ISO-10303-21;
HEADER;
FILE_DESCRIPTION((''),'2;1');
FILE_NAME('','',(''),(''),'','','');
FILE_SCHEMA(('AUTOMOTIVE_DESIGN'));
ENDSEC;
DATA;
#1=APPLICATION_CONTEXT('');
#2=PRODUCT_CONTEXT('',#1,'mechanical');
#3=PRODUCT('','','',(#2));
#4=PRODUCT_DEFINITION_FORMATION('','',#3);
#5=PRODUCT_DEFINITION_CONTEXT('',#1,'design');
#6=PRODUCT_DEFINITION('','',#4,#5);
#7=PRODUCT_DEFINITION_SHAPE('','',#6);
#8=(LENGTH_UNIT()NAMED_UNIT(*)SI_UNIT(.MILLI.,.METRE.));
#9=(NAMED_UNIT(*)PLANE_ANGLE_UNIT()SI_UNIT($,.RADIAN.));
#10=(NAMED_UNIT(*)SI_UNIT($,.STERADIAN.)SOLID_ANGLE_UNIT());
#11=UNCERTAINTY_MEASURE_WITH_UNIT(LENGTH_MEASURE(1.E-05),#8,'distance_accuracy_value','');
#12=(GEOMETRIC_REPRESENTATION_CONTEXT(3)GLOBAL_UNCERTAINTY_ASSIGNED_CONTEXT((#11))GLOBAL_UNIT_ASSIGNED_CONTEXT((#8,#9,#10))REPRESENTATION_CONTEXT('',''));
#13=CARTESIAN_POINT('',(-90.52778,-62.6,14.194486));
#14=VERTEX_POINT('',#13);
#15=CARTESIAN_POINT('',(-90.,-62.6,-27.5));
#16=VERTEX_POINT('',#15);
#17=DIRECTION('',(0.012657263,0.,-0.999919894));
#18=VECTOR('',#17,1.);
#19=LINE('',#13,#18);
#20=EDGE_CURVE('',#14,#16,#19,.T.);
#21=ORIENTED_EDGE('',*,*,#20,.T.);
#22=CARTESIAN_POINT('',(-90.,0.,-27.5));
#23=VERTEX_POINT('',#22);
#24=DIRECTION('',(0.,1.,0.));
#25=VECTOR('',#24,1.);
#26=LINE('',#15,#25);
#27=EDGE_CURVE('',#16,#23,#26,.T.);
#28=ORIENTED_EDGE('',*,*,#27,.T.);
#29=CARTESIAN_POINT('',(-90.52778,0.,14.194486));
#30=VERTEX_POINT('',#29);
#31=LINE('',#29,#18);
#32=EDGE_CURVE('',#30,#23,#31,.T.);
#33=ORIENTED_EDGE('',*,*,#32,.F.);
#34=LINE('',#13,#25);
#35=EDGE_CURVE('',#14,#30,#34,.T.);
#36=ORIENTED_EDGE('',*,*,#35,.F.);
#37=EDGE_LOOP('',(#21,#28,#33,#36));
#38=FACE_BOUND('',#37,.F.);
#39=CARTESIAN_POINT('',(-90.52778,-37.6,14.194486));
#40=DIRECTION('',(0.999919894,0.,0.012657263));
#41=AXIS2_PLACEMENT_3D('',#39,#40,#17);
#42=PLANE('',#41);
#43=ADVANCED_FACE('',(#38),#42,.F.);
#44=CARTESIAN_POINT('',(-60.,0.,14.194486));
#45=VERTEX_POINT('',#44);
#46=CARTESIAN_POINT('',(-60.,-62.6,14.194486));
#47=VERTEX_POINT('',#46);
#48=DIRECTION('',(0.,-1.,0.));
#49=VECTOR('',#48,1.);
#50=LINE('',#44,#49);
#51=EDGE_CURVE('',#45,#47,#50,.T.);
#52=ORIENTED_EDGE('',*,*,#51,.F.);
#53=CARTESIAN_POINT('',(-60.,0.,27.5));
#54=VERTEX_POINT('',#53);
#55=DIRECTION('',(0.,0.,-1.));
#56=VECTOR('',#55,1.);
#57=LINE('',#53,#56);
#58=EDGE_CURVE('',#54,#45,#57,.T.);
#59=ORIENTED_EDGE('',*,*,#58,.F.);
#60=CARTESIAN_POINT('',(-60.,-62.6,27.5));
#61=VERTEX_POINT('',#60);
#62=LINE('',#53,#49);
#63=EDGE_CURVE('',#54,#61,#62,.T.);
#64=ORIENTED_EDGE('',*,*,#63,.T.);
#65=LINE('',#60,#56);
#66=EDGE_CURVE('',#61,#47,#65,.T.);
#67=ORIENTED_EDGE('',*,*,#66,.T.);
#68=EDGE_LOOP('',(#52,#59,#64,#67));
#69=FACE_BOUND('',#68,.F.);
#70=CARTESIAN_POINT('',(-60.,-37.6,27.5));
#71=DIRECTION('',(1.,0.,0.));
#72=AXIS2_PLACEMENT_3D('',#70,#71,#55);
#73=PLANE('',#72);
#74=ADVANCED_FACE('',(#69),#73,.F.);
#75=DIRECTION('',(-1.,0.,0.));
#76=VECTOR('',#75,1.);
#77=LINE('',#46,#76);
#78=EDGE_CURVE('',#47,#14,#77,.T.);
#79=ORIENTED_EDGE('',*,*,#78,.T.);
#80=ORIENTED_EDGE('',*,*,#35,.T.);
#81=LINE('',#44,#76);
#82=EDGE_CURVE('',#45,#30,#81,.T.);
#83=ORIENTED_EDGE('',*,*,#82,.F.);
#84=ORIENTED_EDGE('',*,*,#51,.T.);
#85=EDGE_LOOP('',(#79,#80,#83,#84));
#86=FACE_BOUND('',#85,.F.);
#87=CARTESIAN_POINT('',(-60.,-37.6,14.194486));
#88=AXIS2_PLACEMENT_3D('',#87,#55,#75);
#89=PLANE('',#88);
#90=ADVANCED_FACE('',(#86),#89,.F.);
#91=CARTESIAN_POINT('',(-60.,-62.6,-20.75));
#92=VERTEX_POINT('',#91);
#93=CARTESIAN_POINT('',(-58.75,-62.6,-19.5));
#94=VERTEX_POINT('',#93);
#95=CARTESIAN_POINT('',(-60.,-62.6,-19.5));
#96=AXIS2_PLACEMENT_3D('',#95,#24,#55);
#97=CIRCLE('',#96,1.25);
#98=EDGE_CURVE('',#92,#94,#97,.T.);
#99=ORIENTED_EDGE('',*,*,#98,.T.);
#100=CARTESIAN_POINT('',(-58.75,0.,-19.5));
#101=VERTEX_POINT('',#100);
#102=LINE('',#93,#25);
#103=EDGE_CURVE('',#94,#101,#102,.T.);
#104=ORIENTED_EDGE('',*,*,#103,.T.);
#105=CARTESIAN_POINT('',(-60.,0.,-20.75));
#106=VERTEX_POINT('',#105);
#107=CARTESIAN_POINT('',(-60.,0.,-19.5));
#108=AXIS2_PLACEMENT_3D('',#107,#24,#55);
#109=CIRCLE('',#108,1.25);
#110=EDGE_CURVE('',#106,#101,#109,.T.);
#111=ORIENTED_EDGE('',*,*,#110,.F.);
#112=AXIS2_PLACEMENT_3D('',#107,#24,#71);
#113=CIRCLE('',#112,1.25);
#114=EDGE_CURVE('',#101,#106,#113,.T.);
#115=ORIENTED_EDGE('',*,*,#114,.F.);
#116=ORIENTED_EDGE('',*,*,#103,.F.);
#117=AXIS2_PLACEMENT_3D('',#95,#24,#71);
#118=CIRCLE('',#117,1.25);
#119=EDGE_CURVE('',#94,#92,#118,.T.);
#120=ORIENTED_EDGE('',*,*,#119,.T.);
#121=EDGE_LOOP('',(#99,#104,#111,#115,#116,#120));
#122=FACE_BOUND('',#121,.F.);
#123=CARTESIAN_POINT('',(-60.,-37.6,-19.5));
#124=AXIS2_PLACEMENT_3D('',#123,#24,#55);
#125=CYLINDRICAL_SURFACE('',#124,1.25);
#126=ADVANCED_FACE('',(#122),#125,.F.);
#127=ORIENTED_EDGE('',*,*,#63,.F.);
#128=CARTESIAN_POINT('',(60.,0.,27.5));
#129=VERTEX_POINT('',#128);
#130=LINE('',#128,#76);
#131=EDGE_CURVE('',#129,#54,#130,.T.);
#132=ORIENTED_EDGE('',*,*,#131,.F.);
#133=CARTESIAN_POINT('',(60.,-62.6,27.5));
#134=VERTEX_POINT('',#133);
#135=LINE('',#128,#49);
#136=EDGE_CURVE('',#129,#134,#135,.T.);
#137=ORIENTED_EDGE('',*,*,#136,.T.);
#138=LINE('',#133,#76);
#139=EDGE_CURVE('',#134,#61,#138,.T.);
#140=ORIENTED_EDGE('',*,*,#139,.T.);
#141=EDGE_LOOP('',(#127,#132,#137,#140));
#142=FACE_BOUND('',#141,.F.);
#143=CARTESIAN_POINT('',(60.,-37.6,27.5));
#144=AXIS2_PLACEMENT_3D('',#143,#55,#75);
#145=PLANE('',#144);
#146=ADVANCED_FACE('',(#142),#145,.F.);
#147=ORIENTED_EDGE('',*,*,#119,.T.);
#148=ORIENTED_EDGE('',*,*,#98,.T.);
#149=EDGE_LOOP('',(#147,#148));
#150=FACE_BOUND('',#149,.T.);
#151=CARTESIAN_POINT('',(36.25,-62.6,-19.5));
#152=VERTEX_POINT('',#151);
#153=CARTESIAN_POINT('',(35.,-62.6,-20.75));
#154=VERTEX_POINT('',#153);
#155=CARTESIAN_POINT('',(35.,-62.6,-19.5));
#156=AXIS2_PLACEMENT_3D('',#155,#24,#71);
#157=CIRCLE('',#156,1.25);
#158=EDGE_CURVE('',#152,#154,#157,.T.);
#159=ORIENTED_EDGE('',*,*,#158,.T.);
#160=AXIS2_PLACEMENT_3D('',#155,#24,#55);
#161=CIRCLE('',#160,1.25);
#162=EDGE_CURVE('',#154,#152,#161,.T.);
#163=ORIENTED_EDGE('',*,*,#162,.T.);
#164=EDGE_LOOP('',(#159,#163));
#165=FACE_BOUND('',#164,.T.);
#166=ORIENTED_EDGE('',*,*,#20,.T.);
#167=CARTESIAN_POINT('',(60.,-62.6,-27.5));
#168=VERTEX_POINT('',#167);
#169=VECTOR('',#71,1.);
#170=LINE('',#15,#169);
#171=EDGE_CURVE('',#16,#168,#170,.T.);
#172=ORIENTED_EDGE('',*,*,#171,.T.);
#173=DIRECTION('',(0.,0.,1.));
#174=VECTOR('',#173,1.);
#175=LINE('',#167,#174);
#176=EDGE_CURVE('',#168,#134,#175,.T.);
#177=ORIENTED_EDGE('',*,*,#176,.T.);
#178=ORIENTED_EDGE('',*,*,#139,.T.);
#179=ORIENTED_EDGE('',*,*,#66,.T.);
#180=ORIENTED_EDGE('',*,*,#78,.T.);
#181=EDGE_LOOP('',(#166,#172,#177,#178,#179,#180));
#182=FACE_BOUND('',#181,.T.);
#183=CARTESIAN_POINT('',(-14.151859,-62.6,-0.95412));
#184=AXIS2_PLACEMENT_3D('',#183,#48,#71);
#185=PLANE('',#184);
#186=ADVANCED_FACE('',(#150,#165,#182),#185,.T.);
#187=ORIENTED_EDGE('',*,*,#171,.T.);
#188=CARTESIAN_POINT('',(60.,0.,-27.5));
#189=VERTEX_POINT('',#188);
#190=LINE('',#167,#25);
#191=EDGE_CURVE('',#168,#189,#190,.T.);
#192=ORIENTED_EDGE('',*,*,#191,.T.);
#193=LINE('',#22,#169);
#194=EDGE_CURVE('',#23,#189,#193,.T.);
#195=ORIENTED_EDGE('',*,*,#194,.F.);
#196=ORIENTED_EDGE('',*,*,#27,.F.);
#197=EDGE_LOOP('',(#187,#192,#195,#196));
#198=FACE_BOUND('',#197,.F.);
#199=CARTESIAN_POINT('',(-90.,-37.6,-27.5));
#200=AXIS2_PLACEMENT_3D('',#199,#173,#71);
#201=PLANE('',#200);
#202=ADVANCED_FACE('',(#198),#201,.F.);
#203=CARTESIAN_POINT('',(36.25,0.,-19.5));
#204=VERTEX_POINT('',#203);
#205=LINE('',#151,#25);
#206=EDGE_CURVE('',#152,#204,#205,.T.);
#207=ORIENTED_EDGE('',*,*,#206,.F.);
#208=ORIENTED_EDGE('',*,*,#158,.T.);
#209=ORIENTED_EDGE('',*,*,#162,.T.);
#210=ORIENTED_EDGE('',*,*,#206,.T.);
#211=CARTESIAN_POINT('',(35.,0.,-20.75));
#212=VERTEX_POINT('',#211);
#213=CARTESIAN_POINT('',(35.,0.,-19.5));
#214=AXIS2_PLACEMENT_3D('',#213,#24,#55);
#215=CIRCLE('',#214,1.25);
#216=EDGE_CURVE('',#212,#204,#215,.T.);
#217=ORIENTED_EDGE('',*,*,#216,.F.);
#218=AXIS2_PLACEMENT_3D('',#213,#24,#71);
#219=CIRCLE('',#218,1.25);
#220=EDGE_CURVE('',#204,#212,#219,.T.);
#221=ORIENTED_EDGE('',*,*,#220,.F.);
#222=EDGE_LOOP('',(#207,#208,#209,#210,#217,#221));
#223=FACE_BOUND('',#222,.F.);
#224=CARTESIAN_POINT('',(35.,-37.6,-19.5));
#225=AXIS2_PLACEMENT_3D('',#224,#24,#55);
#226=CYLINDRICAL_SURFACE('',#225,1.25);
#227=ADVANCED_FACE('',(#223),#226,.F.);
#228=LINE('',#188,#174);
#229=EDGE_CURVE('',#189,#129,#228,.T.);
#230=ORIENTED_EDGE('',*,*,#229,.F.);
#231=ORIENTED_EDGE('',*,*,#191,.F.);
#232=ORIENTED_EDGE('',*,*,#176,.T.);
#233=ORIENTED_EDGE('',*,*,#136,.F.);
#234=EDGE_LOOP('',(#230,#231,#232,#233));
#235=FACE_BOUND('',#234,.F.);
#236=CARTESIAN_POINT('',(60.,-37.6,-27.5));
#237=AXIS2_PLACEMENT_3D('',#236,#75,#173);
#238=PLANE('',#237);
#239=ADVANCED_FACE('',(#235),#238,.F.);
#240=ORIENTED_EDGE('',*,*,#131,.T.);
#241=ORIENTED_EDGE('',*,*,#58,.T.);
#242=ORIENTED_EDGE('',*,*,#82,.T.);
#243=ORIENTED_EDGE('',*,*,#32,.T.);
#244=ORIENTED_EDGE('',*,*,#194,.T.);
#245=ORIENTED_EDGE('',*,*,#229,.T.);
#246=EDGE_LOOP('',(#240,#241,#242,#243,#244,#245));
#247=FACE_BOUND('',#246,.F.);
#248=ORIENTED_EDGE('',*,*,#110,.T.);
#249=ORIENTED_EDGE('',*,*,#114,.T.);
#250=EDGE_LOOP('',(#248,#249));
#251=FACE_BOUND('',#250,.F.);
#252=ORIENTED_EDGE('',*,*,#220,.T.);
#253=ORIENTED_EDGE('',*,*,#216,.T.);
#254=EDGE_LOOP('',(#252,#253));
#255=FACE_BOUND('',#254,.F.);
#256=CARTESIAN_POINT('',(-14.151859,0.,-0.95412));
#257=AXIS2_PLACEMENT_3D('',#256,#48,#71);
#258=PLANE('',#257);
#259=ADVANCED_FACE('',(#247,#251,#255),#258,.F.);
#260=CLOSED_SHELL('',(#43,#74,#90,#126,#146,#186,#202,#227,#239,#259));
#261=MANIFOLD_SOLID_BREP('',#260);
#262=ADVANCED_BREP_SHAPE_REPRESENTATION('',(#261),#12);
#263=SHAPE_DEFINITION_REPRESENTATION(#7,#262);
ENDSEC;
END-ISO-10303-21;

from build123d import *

# Parameters (mm, degrees)
F1_DEPTH = 25
F2_DEPTH = 37.6
F3_DEPTH = 25
F4_DEPTH = 25
F5_DEPTH = 25


with BuildPart() as f1:
    # F0 (on Front) → F1 (new body)
    with BuildSketch(Plane.XZ):
        Polygon((60, -27.5), (60, 27.5), (-60, 27.5), (-60, 14.1944857314), (-90.527780354, 14.1944857314), (-90, -27.5), (-60, -27.5), (35, -27.5), align=None)
        with BuildLine():
            ThreePointArc((-58.75, -19.5), (-59.1161165235, -20.3838834765), (-60, -20.75))
            ThreePointArc((-60, -20.75), (-60.8838834765, -18.6161165235), (-58.75, -19.5))
        make_face(mode=Mode.SUBTRACT)
        with BuildLine():
            ThreePointArc((36.25, -19.5), (35.8838834765, -20.3838834765), (35, -20.75))
            ThreePointArc((35, -20.75), (34.1161165235, -18.6161165235), (36.25, -19.5))
        make_face(mode=Mode.SUBTRACT)
    extrude(amount=F1_DEPTH)

    # F0 (on Front) → F2 (join)
    with BuildSketch(Plane.XZ):
        Polygon((60, -27.5), (60, 27.5), (-60, 27.5), (-60, 14.1944857314), (-90.527780354, 14.1944857314), (-90, -27.5), (-60, -27.5), (35, -27.5), align=None)
        with BuildLine():
            ThreePointArc((-58.75, -19.5), (-59.1161165235, -20.3838834765), (-60, -20.75))
            ThreePointArc((-60, -20.75), (-60.8838834765, -18.6161165235), (-58.75, -19.5))
        make_face(mode=Mode.SUBTRACT)
        with BuildLine():
            ThreePointArc((36.25, -19.5), (35.8838834765, -20.3838834765), (35, -20.75))
            ThreePointArc((35, -20.75), (34.1161165235, -18.6161165235), (36.25, -19.5))
        make_face(mode=Mode.SUBTRACT)
    extrude(amount=F2_DEPTH)

    # F0 (on Front) → F3 (join)
    with BuildSketch(Plane.XZ):
        Polygon((60, -27.5), (60, 27.5), (-60, 27.5), (-60, 14.1944857314), (-90.527780354, 14.1944857314), (-90, -27.5), (-60, -27.5), (35, -27.5), align=None)
        with BuildLine():
            ThreePointArc((-58.75, -19.5), (-59.1161165235, -20.3838834765), (-60, -20.75))
            ThreePointArc((-60, -20.75), (-60.8838834765, -18.6161165235), (-58.75, -19.5))
        make_face(mode=Mode.SUBTRACT)
        with BuildLine():
            ThreePointArc((36.25, -19.5), (35.8838834765, -20.3838834765), (35, -20.75))
            ThreePointArc((35, -20.75), (34.1161165235, -18.6161165235), (36.25, -19.5))
        make_face(mode=Mode.SUBTRACT)
    extrude(amount=F3_DEPTH)

    # F4 (add): a face of the model
    f4_faces = [f1.faces().sort_by_distance(p)[0] for p in [
        (-12.0583061009, -37.6, -1.0349945088),
    ]]
    extrude(f4_faces, amount=F4_DEPTH)

    # F0 (on Front) → F5 (join)
    with BuildSketch(Plane.XZ):
        Polygon((60, -27.5), (60, 27.5), (-60, 27.5), (-60, 14.1944857314), (-90.527780354, 14.1944857314), (-90, -27.5), (-60, -27.5), (35, -27.5), align=None)
        with BuildLine():
            ThreePointArc((-58.75, -19.5), (-59.1161165235, -20.3838834765), (-60, -20.75))
            ThreePointArc((-60, -20.75), (-60.8838834765, -18.6161165235), (-58.75, -19.5))
        make_face(mode=Mode.SUBTRACT)
        with BuildLine():
            ThreePointArc((36.25, -19.5), (35.8838834765, -20.3838834765), (35, -20.75))
            ThreePointArc((35, -20.75), (34.1161165235, -18.6161165235), (36.25, -19.5))
        make_face(mode=Mode.SUBTRACT)
    extrude(amount=F5_DEPTH)


solid = f1.part
